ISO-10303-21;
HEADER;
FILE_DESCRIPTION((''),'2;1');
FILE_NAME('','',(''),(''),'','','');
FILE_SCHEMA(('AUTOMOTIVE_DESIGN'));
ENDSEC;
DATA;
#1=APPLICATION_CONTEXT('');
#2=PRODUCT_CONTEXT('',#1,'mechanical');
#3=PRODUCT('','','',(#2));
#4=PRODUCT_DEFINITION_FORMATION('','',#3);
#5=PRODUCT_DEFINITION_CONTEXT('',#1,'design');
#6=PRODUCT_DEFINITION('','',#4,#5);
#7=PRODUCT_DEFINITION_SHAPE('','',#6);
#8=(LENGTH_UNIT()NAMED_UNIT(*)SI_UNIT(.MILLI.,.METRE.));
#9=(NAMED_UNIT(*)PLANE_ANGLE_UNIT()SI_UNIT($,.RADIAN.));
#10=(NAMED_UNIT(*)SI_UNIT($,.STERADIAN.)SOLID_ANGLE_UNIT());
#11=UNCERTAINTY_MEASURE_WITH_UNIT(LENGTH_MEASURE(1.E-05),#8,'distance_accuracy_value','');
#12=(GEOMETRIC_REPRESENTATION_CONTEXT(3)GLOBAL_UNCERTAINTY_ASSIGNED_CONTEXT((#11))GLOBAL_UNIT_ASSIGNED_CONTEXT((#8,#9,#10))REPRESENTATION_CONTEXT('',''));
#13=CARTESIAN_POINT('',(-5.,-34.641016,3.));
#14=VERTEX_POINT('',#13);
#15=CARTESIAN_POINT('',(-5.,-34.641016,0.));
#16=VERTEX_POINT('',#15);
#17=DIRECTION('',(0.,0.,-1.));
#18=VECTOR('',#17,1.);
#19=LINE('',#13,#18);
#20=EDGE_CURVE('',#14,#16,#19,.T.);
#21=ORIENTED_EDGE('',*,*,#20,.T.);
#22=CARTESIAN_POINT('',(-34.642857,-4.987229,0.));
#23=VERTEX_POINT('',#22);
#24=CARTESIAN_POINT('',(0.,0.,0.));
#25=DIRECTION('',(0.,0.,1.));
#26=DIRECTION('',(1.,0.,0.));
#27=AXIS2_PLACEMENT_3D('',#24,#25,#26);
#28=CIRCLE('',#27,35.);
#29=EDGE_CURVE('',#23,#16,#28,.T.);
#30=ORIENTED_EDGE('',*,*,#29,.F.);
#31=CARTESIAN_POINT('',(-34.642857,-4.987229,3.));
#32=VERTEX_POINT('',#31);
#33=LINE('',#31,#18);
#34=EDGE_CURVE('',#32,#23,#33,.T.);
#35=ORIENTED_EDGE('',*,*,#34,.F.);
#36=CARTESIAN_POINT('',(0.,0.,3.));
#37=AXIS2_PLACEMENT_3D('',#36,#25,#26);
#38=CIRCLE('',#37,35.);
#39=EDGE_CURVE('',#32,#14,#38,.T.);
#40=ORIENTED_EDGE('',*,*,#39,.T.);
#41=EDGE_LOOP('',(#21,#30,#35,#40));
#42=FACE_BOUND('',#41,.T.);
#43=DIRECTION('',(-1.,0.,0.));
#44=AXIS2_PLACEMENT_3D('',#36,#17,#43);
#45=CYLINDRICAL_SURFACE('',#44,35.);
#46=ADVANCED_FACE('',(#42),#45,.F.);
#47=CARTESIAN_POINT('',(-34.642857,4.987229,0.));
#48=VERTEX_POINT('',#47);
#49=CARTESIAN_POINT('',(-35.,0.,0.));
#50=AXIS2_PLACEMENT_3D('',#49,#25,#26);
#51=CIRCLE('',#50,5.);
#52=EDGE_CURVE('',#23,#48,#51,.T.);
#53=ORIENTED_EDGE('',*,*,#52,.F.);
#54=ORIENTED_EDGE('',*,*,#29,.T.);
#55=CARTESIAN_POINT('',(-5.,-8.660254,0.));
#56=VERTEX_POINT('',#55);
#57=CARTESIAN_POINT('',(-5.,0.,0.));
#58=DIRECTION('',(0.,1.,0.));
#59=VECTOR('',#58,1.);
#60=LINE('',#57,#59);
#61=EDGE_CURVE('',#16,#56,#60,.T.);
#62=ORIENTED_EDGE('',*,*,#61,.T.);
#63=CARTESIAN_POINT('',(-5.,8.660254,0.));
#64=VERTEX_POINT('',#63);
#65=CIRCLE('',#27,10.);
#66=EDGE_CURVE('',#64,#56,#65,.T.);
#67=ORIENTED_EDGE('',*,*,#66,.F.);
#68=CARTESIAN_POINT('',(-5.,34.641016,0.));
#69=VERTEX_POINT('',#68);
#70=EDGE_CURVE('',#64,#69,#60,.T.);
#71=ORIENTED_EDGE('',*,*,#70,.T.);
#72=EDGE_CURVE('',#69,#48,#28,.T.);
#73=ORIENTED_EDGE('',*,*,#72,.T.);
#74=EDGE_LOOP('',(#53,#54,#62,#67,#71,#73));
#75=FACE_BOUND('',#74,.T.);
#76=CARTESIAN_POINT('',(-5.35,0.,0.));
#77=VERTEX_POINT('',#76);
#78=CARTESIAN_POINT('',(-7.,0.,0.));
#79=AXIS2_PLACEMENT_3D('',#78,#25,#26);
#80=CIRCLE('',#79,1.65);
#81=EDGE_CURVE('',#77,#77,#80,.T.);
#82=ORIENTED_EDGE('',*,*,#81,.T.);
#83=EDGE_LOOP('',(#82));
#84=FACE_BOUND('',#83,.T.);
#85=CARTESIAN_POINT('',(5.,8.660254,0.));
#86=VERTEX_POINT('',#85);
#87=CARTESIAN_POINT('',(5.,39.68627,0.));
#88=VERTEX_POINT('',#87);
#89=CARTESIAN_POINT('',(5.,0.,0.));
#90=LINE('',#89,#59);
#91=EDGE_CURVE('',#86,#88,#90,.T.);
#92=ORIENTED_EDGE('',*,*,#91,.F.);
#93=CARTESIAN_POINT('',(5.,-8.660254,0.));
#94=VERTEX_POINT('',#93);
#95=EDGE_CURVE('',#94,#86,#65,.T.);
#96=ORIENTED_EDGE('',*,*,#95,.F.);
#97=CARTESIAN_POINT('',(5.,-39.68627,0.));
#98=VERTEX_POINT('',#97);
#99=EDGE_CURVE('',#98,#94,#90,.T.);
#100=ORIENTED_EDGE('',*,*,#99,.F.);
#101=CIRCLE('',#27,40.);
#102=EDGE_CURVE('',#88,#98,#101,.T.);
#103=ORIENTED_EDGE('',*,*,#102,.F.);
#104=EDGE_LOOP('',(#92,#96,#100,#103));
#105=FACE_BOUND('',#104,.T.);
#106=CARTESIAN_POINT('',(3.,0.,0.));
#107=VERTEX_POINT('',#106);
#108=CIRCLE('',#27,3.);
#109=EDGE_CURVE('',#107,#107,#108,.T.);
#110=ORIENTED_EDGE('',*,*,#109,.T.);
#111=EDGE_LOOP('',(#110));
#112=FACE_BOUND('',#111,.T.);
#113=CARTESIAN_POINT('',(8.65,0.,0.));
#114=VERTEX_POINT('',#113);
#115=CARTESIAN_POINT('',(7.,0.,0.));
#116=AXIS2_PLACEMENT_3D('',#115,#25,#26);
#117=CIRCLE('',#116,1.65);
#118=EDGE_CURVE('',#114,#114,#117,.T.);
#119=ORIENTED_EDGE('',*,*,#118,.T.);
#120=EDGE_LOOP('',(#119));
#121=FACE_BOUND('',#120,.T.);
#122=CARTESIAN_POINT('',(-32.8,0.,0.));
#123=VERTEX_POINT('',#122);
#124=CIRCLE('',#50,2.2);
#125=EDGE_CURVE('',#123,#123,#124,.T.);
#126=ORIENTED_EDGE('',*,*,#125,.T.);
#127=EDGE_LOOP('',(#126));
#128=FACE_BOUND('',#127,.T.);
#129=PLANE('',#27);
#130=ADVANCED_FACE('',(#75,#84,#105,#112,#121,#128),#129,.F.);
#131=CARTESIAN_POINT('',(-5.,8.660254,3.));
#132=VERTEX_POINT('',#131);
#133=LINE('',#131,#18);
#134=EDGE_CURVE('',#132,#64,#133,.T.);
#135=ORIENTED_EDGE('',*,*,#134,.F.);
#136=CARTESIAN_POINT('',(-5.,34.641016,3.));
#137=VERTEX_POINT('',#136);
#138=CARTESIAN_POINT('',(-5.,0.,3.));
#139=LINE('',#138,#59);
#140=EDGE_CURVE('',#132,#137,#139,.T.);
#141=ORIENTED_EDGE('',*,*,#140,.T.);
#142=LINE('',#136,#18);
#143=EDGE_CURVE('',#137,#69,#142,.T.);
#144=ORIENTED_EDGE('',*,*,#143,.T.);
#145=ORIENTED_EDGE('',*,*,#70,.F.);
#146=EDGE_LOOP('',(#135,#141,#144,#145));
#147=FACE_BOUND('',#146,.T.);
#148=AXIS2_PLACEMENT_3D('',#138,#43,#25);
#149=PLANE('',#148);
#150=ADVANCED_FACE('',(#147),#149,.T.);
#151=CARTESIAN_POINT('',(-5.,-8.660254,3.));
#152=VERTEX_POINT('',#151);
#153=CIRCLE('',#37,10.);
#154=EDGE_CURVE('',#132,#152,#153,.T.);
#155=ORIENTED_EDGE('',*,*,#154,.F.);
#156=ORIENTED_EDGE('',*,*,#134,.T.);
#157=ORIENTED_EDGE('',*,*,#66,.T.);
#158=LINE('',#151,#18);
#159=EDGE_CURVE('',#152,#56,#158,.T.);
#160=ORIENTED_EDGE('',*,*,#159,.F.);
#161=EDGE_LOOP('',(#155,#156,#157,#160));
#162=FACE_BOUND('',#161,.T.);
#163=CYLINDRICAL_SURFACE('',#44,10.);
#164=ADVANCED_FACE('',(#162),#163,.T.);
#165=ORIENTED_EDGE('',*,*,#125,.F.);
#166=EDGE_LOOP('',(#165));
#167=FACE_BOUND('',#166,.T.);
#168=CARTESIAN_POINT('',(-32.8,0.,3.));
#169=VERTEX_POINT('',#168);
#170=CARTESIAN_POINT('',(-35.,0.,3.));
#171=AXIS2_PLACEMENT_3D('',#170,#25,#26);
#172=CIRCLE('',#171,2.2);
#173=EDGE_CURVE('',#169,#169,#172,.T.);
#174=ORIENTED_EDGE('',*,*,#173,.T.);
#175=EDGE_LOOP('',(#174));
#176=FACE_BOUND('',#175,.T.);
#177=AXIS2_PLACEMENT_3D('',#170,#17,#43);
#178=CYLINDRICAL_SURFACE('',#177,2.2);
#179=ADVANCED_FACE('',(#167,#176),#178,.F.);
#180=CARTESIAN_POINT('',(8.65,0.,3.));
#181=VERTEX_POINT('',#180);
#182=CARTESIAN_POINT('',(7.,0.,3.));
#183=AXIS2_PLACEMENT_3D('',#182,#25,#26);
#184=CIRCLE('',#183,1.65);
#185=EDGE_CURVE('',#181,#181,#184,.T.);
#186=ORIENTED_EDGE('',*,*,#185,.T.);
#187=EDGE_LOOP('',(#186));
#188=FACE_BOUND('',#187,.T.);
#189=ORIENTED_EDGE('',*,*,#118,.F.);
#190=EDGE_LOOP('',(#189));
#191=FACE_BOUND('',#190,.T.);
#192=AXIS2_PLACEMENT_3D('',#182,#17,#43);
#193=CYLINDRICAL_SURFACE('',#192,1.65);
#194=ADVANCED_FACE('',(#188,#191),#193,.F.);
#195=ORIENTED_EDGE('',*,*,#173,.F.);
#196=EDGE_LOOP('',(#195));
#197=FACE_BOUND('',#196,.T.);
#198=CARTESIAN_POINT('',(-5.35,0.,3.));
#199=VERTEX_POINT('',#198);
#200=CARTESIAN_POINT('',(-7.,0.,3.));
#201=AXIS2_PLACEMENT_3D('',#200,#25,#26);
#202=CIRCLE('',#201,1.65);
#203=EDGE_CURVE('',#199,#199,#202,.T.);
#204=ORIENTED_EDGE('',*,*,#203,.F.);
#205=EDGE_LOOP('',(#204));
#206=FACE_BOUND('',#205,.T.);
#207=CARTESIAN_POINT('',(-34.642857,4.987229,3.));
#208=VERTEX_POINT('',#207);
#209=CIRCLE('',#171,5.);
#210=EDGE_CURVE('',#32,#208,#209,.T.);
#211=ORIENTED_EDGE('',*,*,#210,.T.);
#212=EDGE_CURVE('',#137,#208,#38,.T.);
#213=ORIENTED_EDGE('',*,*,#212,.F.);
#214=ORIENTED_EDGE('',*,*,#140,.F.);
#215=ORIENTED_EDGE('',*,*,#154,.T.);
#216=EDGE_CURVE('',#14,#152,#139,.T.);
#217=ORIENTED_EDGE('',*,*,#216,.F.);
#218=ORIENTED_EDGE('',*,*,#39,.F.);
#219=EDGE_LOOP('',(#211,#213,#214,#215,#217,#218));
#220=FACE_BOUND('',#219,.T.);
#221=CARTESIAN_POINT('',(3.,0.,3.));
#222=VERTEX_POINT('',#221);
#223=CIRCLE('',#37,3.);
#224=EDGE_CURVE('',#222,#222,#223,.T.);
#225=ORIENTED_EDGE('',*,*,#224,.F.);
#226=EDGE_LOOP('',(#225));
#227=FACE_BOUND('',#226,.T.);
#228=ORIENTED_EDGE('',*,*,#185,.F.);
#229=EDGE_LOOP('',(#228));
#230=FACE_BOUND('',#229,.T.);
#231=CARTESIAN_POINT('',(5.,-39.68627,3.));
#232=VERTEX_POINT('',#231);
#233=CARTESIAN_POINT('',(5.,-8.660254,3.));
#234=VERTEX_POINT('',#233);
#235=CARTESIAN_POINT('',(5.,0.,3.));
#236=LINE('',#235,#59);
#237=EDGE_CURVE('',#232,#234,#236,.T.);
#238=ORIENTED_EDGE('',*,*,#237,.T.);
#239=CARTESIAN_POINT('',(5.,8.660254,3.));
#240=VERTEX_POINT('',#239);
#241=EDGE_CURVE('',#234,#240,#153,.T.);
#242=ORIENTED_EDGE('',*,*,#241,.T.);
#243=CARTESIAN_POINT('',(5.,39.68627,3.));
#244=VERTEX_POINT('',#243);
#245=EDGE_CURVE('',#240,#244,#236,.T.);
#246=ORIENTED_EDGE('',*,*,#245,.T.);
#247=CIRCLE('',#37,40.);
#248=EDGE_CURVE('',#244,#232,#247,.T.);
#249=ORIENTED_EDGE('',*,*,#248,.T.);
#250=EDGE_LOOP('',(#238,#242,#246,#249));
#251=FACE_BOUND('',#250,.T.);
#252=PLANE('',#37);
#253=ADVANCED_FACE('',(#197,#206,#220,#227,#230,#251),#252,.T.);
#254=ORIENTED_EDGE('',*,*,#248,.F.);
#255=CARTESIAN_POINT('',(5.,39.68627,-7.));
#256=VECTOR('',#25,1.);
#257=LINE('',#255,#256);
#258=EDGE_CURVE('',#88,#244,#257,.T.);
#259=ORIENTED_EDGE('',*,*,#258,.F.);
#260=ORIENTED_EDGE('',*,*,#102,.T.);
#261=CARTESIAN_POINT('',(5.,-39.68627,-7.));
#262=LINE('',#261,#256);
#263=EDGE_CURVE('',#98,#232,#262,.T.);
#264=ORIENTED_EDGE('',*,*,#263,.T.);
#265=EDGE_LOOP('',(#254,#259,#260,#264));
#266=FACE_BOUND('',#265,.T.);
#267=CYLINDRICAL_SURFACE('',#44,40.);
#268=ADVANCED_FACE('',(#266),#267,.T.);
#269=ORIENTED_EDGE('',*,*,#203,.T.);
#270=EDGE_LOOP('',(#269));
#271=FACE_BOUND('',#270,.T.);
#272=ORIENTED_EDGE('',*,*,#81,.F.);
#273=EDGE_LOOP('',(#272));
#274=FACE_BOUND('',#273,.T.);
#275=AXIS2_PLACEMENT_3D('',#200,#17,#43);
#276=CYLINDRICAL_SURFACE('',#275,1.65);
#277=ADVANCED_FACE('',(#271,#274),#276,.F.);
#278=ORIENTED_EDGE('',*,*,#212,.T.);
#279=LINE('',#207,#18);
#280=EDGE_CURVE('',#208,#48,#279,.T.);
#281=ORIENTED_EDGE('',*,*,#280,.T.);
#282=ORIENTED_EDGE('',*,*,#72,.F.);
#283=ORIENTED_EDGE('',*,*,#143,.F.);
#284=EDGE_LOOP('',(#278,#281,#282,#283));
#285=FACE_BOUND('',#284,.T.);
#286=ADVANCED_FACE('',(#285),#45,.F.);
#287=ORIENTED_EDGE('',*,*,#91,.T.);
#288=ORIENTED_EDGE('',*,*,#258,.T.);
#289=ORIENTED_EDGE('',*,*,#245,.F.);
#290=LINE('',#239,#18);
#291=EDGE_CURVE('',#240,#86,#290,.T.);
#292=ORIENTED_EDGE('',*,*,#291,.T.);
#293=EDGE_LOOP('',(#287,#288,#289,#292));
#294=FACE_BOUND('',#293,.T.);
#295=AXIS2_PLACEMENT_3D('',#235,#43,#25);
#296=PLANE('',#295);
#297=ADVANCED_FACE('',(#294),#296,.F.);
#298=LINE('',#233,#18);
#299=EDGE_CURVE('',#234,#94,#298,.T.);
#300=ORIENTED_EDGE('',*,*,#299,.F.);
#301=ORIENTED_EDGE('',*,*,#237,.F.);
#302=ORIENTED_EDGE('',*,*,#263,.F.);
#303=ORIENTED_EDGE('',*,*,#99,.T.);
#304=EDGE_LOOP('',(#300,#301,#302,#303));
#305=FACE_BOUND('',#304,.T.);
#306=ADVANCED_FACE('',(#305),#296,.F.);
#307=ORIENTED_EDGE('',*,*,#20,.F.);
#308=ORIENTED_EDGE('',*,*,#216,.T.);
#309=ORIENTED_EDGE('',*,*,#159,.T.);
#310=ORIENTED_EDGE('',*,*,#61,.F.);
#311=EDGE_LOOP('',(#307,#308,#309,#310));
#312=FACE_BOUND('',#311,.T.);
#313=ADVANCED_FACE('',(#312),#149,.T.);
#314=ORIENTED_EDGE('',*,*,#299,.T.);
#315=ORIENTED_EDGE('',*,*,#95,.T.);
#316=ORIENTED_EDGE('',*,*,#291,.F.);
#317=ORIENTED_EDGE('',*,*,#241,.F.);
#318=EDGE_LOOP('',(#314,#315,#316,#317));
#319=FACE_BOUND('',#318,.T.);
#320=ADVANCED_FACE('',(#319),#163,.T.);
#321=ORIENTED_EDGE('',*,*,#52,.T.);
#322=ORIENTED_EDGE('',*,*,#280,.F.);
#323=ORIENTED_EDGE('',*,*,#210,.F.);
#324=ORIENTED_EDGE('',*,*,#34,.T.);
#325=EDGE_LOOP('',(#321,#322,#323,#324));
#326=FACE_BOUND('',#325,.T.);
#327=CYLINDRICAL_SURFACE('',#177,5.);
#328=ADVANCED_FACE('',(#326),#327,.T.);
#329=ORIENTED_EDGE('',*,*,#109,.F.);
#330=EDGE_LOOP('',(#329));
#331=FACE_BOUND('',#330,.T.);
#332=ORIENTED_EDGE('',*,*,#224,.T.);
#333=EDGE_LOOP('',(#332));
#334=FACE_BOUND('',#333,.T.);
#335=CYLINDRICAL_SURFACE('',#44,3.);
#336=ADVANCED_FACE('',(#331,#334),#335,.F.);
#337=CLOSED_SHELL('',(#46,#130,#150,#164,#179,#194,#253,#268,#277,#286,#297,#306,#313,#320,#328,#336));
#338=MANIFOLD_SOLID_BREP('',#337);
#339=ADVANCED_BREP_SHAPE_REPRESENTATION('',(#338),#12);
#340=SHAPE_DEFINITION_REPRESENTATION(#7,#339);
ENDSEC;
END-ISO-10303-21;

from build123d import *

# Parameters (mm, degrees)
SKETCH1_R           = 40
SKETCH1_R_2         = 3
SKETCH1_R_3         = 1.65
SKETCH1_R_4         = 2.2
BOSS_EXTRUDE1_DEPTH = 3
CUT_EXTRUDE1_DEPTH  = 10


with BuildPart() as part:
    # Sketch1 → Boss-Extrude1 (new body)
    with BuildSketch(Plane.XY):
        Circle(SKETCH1_R)
        with BuildLine():
            Line((5, -34.641016151), (5, -8.660254038))
            ThreePointArc((5, -8.660254038), (10, 0), (5, 8.660254038))
            Line((5, 8.660254038), (5, 34.641016151))
            ThreePointArc((5, 34.641016151), (35, 0), (5, -34.641016151))
        make_face(mode=Mode.SUBTRACT)
        with BuildLine():
            Line((-5, 34.641016151), (-5, 8.660254038))
            ThreePointArc((-5, 8.660254038), (-10, 0), (-5, -8.660254038))
            Line((-5, -8.660254038), (-5, -34.641016151))
            ThreePointArc((-5, -34.641016151), (-24.753298969, -24.744174873), (-34.642857143, -4.987228587))
            ThreePointArc((-34.642857143, -4.987228587), (-30, 0), (-34.642857143, 4.987228587))
            ThreePointArc((-34.642857143, 4.987228587), (-24.753298969, 24.744174873), (-5, 34.641016151))
        make_face(mode=Mode.SUBTRACT)
        Circle(SKETCH1_R_2, mode=Mode.SUBTRACT)
        with Locations((-7, 0)):
            Circle(SKETCH1_R_3, mode=Mode.SUBTRACT)
        with Locations((7, 0)):
            Circle(SKETCH1_R_3, mode=Mode.SUBTRACT)
        with Locations((-35, 0)):
            Circle(SKETCH1_R_4, mode=Mode.SUBTRACT)
    extrude(amount=BOSS_EXTRUDE1_DEPTH)

    # Sketch3 → Cut-Extrude1 (cut)
    with BuildSketch(Plane.XY.offset(3)):
        Polygon((5, 39.686269666), (5, 8.660254038), (14.289111203, 8.660254038), (14.289111203, -8.660254038), (5, -8.660254038), (5, -39.686269666), (45, -39.686269666), (45, 39.686269666), align=None)
    extrude(amount=-CUT_EXTRUDE1_DEPTH, mode=Mode.SUBTRACT)


solid = part.part
